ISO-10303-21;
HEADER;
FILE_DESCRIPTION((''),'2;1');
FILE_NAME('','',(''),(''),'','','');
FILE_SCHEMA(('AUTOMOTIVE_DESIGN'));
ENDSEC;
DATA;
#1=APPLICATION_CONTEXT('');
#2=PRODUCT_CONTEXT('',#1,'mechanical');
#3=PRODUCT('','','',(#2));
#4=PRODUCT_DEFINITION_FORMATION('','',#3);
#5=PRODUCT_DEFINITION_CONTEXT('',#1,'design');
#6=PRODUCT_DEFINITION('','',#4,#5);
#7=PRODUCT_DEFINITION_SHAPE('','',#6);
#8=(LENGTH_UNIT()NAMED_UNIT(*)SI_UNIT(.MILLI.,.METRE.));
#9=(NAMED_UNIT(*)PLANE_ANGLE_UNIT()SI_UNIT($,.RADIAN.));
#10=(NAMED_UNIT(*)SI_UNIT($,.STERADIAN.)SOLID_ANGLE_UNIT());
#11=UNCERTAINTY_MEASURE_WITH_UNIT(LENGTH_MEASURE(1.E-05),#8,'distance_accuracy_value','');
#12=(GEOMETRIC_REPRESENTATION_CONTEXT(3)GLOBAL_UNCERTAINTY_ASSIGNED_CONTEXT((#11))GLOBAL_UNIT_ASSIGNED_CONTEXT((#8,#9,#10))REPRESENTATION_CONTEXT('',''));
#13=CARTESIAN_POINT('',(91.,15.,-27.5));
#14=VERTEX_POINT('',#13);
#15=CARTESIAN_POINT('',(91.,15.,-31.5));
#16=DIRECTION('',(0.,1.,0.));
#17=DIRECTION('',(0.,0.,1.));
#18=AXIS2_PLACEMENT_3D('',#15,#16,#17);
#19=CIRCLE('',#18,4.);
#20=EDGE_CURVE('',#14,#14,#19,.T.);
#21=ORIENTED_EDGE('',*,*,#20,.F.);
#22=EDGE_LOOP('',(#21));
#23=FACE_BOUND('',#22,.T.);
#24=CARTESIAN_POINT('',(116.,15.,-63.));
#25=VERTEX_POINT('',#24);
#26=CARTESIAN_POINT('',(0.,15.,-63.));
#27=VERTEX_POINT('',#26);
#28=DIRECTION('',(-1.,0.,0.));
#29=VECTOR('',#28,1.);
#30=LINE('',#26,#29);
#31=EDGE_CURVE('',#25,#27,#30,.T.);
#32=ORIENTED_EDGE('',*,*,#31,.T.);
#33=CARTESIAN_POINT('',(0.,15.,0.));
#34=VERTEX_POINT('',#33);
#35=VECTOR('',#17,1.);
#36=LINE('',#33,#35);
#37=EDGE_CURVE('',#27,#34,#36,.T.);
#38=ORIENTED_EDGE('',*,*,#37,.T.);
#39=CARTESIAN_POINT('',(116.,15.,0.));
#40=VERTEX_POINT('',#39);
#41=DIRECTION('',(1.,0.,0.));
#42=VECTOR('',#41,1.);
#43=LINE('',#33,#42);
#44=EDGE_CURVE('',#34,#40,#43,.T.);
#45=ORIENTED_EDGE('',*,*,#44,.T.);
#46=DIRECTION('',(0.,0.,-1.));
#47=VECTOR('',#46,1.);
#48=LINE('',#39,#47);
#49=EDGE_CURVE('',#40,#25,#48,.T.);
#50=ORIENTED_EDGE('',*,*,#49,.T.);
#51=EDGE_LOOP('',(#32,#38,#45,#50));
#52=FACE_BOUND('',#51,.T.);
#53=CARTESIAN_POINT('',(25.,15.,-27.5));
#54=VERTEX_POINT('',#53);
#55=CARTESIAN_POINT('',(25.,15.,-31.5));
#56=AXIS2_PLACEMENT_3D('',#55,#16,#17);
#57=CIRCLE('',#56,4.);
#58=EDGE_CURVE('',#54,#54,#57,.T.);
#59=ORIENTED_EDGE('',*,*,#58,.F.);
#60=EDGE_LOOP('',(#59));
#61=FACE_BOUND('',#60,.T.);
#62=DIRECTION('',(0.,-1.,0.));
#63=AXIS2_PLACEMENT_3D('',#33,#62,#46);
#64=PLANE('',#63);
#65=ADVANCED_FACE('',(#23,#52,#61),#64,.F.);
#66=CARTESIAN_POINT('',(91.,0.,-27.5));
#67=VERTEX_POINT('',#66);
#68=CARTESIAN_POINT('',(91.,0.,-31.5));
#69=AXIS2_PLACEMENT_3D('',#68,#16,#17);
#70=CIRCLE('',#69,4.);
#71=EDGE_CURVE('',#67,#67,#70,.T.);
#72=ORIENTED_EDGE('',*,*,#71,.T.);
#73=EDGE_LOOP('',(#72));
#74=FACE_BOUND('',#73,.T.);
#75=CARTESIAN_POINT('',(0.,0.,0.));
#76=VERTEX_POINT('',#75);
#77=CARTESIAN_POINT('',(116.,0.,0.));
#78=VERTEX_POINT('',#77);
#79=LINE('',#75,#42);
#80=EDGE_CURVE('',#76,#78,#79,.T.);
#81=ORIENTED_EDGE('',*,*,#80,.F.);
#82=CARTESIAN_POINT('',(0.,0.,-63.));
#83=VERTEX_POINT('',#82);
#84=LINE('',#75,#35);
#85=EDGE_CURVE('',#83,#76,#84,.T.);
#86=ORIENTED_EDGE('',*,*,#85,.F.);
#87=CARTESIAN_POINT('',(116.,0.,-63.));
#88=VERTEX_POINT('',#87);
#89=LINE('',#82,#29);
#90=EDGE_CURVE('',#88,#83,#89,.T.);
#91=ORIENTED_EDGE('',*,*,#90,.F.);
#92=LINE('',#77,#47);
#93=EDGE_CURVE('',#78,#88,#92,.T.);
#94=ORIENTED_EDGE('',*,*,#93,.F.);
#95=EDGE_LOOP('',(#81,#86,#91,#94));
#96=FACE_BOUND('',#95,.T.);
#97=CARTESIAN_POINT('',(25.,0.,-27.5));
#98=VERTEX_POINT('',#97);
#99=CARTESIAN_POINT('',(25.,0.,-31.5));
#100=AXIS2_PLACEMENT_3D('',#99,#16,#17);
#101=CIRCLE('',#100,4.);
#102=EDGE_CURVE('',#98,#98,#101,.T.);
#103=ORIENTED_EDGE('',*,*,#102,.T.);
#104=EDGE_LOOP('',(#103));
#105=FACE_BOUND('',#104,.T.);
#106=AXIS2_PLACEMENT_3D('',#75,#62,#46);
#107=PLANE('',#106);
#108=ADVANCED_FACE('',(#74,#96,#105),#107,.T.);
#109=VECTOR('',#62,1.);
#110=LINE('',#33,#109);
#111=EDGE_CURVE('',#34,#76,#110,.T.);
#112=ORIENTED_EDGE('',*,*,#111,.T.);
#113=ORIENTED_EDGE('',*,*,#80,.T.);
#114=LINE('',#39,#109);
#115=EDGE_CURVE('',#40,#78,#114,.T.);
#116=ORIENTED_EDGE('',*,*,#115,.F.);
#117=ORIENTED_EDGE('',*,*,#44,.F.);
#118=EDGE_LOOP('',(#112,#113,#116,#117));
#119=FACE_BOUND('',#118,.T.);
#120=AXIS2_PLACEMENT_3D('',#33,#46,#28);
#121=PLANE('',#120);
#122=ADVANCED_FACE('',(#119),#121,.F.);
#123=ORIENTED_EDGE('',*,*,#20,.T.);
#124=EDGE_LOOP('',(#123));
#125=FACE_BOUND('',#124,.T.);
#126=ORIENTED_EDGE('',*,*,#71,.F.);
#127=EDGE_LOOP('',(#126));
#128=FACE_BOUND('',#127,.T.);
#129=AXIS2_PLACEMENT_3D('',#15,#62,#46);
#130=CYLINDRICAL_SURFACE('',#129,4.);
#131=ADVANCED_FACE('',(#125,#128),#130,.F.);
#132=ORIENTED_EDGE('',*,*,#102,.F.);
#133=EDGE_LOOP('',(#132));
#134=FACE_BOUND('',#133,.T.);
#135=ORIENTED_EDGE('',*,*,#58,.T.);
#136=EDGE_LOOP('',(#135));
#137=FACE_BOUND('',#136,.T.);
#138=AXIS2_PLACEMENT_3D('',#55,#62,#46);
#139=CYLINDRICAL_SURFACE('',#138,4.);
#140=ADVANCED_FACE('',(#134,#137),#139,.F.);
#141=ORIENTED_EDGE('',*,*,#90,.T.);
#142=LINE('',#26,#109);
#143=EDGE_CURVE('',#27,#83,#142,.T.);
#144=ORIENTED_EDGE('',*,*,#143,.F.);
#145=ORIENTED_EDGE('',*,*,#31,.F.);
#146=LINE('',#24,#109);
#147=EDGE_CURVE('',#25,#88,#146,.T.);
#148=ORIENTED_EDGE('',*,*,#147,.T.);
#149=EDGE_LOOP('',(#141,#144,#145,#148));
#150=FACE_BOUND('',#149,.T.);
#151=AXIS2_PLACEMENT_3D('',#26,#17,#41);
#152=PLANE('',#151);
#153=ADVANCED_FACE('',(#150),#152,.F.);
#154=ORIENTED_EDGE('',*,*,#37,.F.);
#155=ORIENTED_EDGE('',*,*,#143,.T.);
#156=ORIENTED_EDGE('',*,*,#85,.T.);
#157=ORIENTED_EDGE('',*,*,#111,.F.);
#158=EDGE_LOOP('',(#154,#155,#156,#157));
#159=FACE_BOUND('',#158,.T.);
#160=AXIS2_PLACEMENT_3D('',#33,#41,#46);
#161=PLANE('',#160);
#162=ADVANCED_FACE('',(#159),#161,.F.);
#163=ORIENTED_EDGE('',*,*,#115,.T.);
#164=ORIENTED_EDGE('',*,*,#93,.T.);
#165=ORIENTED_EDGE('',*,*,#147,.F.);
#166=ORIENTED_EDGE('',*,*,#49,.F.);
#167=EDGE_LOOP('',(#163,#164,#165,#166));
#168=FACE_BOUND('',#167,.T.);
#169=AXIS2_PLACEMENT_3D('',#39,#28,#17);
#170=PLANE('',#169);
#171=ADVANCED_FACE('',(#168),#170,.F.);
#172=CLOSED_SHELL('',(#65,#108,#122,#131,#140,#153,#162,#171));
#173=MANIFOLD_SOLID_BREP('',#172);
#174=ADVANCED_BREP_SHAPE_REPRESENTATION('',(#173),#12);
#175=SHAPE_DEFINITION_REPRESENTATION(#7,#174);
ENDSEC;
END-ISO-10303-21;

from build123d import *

# Parameters (mm, degrees)
CROQUIS1_W              = 116
CROQUIS1_H              = 63
CROQUIS1_R              = 4
SALIENTE_EXTRUIR1_DEPTH = 15


with BuildPart() as part:
    # Croquis1 → Saliente-Extruir1 (new body)
    with BuildSketch(Plane(origin=(0, 0, 0), x_dir=(1, 0, 0), z_dir=(0, 1, 0))):
        with Locations((58, 31.5)):
            Rectangle(CROQUIS1_W, CROQUIS1_H)
        with Locations(Location((25, 31.5, 0), (0, 0, 270))):
            Circle(CROQUIS1_R, mode=Mode.SUBTRACT)
        with Locations(Location((91, 31.5, 0), (0, 0, 270))):
            Circle(CROQUIS1_R, mode=Mode.SUBTRACT)
    extrude(amount=SALIENTE_EXTRUIR1_DEPTH)


solid = part.part
